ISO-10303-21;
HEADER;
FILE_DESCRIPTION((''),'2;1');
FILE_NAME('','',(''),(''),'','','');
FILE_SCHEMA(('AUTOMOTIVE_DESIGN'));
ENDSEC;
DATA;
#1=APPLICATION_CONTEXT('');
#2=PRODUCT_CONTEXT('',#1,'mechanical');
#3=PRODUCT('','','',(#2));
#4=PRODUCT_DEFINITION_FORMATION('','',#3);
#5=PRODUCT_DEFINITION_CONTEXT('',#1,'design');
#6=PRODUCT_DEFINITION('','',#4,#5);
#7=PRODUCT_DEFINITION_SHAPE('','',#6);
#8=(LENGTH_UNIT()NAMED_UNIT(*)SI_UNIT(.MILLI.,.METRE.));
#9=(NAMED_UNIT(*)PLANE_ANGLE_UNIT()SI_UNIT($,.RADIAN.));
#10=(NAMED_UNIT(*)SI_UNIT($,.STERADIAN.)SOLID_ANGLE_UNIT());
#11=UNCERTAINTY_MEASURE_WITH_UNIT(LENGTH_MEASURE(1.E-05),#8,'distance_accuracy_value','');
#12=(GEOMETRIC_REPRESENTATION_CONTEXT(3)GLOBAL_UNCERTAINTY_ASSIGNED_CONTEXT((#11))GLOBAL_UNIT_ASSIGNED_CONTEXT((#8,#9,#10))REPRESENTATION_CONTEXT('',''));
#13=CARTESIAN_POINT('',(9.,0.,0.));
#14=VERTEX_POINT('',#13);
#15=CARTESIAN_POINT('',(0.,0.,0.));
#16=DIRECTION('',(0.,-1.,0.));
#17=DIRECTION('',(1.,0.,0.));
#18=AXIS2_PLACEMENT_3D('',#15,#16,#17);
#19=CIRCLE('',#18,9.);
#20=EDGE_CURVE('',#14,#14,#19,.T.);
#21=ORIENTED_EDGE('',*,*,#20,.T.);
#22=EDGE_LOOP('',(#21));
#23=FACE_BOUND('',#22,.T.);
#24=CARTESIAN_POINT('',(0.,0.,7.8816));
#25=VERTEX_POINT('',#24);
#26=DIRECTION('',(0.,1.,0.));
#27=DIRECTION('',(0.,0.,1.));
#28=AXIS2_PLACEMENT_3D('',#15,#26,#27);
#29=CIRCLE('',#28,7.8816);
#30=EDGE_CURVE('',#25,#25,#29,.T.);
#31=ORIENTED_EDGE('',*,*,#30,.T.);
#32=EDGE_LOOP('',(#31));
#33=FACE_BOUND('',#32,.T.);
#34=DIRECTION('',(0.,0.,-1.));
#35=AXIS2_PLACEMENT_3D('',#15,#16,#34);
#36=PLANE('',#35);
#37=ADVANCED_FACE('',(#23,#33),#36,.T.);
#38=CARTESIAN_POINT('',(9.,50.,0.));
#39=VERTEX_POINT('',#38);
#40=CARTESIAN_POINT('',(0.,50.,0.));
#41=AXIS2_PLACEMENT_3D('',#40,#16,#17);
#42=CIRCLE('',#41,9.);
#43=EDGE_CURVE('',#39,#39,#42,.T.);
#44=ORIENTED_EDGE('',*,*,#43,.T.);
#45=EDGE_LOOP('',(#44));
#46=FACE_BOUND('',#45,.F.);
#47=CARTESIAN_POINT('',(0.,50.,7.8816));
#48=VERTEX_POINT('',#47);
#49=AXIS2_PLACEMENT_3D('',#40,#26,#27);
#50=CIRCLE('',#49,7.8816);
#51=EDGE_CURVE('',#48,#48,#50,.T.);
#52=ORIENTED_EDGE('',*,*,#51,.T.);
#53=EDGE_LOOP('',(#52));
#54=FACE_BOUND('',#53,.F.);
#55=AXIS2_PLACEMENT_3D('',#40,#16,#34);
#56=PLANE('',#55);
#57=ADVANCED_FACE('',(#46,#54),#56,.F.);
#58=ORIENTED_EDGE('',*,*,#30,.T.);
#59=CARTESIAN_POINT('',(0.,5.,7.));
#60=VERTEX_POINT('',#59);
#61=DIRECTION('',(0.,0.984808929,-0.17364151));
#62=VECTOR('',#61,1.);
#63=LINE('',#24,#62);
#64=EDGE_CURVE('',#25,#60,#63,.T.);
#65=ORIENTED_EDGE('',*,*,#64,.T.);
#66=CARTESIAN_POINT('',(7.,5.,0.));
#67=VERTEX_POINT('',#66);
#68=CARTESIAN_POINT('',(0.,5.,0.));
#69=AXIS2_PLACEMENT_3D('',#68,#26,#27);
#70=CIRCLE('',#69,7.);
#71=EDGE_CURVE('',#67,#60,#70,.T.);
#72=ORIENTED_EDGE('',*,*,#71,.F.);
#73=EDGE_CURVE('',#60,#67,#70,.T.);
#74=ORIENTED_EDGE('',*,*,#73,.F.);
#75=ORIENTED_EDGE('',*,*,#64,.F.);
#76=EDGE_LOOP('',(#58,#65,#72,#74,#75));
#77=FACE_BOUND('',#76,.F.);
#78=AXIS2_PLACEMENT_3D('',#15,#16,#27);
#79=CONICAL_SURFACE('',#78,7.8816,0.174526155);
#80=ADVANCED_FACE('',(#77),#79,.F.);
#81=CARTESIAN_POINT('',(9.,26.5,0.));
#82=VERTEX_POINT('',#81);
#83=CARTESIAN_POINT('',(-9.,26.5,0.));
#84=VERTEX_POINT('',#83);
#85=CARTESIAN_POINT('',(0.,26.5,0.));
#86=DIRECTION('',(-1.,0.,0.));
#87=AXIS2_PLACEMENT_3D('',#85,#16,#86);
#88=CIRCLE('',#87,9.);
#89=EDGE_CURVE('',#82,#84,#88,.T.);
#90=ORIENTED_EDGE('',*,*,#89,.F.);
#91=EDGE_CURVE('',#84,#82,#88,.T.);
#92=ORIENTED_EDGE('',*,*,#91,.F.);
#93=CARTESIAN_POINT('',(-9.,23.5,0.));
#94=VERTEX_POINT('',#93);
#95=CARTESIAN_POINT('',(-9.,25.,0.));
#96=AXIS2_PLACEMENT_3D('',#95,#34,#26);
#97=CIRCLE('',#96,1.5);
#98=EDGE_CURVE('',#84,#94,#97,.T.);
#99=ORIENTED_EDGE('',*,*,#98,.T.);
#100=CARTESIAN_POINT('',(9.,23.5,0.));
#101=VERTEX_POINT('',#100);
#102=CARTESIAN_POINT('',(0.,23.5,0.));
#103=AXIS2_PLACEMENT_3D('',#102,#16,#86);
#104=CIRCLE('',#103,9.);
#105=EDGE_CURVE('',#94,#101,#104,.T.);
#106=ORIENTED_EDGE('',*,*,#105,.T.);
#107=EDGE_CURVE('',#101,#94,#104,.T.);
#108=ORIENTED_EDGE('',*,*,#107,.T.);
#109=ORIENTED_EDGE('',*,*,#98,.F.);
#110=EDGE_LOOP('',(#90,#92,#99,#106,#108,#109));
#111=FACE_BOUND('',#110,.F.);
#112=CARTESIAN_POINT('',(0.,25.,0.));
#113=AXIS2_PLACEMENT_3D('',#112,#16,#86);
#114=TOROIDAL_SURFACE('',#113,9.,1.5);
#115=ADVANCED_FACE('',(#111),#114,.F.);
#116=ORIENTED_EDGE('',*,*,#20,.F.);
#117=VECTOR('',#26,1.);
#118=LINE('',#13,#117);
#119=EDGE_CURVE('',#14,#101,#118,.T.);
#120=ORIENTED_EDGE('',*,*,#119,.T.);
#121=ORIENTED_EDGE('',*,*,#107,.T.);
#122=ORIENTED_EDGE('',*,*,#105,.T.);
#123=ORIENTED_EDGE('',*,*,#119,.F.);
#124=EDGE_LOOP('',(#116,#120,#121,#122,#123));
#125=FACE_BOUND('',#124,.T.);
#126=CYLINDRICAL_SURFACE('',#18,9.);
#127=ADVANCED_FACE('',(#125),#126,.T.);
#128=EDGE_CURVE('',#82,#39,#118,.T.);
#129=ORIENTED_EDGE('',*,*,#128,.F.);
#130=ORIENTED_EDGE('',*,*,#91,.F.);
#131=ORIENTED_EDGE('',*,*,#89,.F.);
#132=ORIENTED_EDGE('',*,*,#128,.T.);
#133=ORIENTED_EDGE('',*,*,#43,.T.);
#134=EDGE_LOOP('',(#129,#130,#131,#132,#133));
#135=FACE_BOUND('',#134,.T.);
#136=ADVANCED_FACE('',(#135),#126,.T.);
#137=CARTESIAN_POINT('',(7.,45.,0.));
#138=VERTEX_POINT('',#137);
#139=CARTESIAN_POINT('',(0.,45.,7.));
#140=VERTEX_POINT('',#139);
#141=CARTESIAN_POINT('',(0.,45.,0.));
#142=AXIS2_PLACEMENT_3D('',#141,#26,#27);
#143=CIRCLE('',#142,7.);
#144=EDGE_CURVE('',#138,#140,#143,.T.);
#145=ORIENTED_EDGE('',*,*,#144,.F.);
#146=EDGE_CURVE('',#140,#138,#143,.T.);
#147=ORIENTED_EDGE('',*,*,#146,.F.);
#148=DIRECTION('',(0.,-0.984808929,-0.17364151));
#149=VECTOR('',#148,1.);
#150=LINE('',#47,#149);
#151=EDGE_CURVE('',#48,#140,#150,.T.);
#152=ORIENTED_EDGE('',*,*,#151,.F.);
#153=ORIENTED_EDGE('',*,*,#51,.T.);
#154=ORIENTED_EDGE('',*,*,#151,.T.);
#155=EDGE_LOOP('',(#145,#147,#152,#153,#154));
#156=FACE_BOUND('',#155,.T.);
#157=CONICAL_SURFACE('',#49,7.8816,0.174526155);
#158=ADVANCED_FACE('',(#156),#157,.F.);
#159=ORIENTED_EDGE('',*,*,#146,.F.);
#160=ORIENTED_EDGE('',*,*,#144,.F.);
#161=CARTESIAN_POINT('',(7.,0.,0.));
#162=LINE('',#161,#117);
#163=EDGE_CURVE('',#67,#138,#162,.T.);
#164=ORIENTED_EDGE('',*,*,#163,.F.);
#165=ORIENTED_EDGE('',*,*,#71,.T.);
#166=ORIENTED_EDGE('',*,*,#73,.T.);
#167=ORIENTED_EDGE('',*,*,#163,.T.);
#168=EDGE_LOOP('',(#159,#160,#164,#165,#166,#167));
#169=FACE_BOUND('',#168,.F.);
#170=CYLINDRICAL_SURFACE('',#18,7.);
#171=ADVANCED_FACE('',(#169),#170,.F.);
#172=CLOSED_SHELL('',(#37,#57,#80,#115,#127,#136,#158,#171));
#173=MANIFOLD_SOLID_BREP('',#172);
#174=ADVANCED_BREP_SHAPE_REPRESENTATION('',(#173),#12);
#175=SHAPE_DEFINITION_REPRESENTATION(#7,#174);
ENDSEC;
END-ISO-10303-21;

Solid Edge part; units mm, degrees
sketch "Sketch1" plane through (0, 0, 0) normal (0, -1, 0) x (1, 0, 0)
  circle A0 centre (0, 0) radius 9
  circle A1 centre (0, 0) radius 7
  dimension "D1" = 18
  dimension "D2" = 14
extrude "Protrusion1" add sketch "Sketch1" against normal blind 50
sketch "Sketch2" plane through (0, 0, 0) normal (0, 0, 1) x (1, 0, 0)
  arc A0 (-9, 23.5) -> (-7.5, 25) centre (-9, 25) ccw
  arc A1 (-7.5, 25) -> (-9, 26.5) centre (-9, 25) ccw
  line L0 (-9, 26.5) -> (-9, 23.5)
revolve "RevolvedCutout1" cut sketch "Sketch2" angle 360 about axis through (0, 52.7188, 0) along (0, -1, 0)
sketch "Sketch3" plane through (0, 0, 0) normal (1, 0, 0) x (0, 1, 0)
  line L0 (0, 7) -> (0, 7.8816)
  line L1 (0, 7.8816) -> (5, 7)
  line L2 (5, 7) -> (0, 7)
  line L3 (50, 7) -> (50, 7.8816)
  line L4 (50, 7.8816) -> (45, 7)
  line L5 (45, 7) -> (50, 7)
  dimension "D1" = 5
revolve "RevolvedCutout2" cut sketch "Sketch3" angle 360 about axis through (0, 0, 0) along (0, 1, 0)
